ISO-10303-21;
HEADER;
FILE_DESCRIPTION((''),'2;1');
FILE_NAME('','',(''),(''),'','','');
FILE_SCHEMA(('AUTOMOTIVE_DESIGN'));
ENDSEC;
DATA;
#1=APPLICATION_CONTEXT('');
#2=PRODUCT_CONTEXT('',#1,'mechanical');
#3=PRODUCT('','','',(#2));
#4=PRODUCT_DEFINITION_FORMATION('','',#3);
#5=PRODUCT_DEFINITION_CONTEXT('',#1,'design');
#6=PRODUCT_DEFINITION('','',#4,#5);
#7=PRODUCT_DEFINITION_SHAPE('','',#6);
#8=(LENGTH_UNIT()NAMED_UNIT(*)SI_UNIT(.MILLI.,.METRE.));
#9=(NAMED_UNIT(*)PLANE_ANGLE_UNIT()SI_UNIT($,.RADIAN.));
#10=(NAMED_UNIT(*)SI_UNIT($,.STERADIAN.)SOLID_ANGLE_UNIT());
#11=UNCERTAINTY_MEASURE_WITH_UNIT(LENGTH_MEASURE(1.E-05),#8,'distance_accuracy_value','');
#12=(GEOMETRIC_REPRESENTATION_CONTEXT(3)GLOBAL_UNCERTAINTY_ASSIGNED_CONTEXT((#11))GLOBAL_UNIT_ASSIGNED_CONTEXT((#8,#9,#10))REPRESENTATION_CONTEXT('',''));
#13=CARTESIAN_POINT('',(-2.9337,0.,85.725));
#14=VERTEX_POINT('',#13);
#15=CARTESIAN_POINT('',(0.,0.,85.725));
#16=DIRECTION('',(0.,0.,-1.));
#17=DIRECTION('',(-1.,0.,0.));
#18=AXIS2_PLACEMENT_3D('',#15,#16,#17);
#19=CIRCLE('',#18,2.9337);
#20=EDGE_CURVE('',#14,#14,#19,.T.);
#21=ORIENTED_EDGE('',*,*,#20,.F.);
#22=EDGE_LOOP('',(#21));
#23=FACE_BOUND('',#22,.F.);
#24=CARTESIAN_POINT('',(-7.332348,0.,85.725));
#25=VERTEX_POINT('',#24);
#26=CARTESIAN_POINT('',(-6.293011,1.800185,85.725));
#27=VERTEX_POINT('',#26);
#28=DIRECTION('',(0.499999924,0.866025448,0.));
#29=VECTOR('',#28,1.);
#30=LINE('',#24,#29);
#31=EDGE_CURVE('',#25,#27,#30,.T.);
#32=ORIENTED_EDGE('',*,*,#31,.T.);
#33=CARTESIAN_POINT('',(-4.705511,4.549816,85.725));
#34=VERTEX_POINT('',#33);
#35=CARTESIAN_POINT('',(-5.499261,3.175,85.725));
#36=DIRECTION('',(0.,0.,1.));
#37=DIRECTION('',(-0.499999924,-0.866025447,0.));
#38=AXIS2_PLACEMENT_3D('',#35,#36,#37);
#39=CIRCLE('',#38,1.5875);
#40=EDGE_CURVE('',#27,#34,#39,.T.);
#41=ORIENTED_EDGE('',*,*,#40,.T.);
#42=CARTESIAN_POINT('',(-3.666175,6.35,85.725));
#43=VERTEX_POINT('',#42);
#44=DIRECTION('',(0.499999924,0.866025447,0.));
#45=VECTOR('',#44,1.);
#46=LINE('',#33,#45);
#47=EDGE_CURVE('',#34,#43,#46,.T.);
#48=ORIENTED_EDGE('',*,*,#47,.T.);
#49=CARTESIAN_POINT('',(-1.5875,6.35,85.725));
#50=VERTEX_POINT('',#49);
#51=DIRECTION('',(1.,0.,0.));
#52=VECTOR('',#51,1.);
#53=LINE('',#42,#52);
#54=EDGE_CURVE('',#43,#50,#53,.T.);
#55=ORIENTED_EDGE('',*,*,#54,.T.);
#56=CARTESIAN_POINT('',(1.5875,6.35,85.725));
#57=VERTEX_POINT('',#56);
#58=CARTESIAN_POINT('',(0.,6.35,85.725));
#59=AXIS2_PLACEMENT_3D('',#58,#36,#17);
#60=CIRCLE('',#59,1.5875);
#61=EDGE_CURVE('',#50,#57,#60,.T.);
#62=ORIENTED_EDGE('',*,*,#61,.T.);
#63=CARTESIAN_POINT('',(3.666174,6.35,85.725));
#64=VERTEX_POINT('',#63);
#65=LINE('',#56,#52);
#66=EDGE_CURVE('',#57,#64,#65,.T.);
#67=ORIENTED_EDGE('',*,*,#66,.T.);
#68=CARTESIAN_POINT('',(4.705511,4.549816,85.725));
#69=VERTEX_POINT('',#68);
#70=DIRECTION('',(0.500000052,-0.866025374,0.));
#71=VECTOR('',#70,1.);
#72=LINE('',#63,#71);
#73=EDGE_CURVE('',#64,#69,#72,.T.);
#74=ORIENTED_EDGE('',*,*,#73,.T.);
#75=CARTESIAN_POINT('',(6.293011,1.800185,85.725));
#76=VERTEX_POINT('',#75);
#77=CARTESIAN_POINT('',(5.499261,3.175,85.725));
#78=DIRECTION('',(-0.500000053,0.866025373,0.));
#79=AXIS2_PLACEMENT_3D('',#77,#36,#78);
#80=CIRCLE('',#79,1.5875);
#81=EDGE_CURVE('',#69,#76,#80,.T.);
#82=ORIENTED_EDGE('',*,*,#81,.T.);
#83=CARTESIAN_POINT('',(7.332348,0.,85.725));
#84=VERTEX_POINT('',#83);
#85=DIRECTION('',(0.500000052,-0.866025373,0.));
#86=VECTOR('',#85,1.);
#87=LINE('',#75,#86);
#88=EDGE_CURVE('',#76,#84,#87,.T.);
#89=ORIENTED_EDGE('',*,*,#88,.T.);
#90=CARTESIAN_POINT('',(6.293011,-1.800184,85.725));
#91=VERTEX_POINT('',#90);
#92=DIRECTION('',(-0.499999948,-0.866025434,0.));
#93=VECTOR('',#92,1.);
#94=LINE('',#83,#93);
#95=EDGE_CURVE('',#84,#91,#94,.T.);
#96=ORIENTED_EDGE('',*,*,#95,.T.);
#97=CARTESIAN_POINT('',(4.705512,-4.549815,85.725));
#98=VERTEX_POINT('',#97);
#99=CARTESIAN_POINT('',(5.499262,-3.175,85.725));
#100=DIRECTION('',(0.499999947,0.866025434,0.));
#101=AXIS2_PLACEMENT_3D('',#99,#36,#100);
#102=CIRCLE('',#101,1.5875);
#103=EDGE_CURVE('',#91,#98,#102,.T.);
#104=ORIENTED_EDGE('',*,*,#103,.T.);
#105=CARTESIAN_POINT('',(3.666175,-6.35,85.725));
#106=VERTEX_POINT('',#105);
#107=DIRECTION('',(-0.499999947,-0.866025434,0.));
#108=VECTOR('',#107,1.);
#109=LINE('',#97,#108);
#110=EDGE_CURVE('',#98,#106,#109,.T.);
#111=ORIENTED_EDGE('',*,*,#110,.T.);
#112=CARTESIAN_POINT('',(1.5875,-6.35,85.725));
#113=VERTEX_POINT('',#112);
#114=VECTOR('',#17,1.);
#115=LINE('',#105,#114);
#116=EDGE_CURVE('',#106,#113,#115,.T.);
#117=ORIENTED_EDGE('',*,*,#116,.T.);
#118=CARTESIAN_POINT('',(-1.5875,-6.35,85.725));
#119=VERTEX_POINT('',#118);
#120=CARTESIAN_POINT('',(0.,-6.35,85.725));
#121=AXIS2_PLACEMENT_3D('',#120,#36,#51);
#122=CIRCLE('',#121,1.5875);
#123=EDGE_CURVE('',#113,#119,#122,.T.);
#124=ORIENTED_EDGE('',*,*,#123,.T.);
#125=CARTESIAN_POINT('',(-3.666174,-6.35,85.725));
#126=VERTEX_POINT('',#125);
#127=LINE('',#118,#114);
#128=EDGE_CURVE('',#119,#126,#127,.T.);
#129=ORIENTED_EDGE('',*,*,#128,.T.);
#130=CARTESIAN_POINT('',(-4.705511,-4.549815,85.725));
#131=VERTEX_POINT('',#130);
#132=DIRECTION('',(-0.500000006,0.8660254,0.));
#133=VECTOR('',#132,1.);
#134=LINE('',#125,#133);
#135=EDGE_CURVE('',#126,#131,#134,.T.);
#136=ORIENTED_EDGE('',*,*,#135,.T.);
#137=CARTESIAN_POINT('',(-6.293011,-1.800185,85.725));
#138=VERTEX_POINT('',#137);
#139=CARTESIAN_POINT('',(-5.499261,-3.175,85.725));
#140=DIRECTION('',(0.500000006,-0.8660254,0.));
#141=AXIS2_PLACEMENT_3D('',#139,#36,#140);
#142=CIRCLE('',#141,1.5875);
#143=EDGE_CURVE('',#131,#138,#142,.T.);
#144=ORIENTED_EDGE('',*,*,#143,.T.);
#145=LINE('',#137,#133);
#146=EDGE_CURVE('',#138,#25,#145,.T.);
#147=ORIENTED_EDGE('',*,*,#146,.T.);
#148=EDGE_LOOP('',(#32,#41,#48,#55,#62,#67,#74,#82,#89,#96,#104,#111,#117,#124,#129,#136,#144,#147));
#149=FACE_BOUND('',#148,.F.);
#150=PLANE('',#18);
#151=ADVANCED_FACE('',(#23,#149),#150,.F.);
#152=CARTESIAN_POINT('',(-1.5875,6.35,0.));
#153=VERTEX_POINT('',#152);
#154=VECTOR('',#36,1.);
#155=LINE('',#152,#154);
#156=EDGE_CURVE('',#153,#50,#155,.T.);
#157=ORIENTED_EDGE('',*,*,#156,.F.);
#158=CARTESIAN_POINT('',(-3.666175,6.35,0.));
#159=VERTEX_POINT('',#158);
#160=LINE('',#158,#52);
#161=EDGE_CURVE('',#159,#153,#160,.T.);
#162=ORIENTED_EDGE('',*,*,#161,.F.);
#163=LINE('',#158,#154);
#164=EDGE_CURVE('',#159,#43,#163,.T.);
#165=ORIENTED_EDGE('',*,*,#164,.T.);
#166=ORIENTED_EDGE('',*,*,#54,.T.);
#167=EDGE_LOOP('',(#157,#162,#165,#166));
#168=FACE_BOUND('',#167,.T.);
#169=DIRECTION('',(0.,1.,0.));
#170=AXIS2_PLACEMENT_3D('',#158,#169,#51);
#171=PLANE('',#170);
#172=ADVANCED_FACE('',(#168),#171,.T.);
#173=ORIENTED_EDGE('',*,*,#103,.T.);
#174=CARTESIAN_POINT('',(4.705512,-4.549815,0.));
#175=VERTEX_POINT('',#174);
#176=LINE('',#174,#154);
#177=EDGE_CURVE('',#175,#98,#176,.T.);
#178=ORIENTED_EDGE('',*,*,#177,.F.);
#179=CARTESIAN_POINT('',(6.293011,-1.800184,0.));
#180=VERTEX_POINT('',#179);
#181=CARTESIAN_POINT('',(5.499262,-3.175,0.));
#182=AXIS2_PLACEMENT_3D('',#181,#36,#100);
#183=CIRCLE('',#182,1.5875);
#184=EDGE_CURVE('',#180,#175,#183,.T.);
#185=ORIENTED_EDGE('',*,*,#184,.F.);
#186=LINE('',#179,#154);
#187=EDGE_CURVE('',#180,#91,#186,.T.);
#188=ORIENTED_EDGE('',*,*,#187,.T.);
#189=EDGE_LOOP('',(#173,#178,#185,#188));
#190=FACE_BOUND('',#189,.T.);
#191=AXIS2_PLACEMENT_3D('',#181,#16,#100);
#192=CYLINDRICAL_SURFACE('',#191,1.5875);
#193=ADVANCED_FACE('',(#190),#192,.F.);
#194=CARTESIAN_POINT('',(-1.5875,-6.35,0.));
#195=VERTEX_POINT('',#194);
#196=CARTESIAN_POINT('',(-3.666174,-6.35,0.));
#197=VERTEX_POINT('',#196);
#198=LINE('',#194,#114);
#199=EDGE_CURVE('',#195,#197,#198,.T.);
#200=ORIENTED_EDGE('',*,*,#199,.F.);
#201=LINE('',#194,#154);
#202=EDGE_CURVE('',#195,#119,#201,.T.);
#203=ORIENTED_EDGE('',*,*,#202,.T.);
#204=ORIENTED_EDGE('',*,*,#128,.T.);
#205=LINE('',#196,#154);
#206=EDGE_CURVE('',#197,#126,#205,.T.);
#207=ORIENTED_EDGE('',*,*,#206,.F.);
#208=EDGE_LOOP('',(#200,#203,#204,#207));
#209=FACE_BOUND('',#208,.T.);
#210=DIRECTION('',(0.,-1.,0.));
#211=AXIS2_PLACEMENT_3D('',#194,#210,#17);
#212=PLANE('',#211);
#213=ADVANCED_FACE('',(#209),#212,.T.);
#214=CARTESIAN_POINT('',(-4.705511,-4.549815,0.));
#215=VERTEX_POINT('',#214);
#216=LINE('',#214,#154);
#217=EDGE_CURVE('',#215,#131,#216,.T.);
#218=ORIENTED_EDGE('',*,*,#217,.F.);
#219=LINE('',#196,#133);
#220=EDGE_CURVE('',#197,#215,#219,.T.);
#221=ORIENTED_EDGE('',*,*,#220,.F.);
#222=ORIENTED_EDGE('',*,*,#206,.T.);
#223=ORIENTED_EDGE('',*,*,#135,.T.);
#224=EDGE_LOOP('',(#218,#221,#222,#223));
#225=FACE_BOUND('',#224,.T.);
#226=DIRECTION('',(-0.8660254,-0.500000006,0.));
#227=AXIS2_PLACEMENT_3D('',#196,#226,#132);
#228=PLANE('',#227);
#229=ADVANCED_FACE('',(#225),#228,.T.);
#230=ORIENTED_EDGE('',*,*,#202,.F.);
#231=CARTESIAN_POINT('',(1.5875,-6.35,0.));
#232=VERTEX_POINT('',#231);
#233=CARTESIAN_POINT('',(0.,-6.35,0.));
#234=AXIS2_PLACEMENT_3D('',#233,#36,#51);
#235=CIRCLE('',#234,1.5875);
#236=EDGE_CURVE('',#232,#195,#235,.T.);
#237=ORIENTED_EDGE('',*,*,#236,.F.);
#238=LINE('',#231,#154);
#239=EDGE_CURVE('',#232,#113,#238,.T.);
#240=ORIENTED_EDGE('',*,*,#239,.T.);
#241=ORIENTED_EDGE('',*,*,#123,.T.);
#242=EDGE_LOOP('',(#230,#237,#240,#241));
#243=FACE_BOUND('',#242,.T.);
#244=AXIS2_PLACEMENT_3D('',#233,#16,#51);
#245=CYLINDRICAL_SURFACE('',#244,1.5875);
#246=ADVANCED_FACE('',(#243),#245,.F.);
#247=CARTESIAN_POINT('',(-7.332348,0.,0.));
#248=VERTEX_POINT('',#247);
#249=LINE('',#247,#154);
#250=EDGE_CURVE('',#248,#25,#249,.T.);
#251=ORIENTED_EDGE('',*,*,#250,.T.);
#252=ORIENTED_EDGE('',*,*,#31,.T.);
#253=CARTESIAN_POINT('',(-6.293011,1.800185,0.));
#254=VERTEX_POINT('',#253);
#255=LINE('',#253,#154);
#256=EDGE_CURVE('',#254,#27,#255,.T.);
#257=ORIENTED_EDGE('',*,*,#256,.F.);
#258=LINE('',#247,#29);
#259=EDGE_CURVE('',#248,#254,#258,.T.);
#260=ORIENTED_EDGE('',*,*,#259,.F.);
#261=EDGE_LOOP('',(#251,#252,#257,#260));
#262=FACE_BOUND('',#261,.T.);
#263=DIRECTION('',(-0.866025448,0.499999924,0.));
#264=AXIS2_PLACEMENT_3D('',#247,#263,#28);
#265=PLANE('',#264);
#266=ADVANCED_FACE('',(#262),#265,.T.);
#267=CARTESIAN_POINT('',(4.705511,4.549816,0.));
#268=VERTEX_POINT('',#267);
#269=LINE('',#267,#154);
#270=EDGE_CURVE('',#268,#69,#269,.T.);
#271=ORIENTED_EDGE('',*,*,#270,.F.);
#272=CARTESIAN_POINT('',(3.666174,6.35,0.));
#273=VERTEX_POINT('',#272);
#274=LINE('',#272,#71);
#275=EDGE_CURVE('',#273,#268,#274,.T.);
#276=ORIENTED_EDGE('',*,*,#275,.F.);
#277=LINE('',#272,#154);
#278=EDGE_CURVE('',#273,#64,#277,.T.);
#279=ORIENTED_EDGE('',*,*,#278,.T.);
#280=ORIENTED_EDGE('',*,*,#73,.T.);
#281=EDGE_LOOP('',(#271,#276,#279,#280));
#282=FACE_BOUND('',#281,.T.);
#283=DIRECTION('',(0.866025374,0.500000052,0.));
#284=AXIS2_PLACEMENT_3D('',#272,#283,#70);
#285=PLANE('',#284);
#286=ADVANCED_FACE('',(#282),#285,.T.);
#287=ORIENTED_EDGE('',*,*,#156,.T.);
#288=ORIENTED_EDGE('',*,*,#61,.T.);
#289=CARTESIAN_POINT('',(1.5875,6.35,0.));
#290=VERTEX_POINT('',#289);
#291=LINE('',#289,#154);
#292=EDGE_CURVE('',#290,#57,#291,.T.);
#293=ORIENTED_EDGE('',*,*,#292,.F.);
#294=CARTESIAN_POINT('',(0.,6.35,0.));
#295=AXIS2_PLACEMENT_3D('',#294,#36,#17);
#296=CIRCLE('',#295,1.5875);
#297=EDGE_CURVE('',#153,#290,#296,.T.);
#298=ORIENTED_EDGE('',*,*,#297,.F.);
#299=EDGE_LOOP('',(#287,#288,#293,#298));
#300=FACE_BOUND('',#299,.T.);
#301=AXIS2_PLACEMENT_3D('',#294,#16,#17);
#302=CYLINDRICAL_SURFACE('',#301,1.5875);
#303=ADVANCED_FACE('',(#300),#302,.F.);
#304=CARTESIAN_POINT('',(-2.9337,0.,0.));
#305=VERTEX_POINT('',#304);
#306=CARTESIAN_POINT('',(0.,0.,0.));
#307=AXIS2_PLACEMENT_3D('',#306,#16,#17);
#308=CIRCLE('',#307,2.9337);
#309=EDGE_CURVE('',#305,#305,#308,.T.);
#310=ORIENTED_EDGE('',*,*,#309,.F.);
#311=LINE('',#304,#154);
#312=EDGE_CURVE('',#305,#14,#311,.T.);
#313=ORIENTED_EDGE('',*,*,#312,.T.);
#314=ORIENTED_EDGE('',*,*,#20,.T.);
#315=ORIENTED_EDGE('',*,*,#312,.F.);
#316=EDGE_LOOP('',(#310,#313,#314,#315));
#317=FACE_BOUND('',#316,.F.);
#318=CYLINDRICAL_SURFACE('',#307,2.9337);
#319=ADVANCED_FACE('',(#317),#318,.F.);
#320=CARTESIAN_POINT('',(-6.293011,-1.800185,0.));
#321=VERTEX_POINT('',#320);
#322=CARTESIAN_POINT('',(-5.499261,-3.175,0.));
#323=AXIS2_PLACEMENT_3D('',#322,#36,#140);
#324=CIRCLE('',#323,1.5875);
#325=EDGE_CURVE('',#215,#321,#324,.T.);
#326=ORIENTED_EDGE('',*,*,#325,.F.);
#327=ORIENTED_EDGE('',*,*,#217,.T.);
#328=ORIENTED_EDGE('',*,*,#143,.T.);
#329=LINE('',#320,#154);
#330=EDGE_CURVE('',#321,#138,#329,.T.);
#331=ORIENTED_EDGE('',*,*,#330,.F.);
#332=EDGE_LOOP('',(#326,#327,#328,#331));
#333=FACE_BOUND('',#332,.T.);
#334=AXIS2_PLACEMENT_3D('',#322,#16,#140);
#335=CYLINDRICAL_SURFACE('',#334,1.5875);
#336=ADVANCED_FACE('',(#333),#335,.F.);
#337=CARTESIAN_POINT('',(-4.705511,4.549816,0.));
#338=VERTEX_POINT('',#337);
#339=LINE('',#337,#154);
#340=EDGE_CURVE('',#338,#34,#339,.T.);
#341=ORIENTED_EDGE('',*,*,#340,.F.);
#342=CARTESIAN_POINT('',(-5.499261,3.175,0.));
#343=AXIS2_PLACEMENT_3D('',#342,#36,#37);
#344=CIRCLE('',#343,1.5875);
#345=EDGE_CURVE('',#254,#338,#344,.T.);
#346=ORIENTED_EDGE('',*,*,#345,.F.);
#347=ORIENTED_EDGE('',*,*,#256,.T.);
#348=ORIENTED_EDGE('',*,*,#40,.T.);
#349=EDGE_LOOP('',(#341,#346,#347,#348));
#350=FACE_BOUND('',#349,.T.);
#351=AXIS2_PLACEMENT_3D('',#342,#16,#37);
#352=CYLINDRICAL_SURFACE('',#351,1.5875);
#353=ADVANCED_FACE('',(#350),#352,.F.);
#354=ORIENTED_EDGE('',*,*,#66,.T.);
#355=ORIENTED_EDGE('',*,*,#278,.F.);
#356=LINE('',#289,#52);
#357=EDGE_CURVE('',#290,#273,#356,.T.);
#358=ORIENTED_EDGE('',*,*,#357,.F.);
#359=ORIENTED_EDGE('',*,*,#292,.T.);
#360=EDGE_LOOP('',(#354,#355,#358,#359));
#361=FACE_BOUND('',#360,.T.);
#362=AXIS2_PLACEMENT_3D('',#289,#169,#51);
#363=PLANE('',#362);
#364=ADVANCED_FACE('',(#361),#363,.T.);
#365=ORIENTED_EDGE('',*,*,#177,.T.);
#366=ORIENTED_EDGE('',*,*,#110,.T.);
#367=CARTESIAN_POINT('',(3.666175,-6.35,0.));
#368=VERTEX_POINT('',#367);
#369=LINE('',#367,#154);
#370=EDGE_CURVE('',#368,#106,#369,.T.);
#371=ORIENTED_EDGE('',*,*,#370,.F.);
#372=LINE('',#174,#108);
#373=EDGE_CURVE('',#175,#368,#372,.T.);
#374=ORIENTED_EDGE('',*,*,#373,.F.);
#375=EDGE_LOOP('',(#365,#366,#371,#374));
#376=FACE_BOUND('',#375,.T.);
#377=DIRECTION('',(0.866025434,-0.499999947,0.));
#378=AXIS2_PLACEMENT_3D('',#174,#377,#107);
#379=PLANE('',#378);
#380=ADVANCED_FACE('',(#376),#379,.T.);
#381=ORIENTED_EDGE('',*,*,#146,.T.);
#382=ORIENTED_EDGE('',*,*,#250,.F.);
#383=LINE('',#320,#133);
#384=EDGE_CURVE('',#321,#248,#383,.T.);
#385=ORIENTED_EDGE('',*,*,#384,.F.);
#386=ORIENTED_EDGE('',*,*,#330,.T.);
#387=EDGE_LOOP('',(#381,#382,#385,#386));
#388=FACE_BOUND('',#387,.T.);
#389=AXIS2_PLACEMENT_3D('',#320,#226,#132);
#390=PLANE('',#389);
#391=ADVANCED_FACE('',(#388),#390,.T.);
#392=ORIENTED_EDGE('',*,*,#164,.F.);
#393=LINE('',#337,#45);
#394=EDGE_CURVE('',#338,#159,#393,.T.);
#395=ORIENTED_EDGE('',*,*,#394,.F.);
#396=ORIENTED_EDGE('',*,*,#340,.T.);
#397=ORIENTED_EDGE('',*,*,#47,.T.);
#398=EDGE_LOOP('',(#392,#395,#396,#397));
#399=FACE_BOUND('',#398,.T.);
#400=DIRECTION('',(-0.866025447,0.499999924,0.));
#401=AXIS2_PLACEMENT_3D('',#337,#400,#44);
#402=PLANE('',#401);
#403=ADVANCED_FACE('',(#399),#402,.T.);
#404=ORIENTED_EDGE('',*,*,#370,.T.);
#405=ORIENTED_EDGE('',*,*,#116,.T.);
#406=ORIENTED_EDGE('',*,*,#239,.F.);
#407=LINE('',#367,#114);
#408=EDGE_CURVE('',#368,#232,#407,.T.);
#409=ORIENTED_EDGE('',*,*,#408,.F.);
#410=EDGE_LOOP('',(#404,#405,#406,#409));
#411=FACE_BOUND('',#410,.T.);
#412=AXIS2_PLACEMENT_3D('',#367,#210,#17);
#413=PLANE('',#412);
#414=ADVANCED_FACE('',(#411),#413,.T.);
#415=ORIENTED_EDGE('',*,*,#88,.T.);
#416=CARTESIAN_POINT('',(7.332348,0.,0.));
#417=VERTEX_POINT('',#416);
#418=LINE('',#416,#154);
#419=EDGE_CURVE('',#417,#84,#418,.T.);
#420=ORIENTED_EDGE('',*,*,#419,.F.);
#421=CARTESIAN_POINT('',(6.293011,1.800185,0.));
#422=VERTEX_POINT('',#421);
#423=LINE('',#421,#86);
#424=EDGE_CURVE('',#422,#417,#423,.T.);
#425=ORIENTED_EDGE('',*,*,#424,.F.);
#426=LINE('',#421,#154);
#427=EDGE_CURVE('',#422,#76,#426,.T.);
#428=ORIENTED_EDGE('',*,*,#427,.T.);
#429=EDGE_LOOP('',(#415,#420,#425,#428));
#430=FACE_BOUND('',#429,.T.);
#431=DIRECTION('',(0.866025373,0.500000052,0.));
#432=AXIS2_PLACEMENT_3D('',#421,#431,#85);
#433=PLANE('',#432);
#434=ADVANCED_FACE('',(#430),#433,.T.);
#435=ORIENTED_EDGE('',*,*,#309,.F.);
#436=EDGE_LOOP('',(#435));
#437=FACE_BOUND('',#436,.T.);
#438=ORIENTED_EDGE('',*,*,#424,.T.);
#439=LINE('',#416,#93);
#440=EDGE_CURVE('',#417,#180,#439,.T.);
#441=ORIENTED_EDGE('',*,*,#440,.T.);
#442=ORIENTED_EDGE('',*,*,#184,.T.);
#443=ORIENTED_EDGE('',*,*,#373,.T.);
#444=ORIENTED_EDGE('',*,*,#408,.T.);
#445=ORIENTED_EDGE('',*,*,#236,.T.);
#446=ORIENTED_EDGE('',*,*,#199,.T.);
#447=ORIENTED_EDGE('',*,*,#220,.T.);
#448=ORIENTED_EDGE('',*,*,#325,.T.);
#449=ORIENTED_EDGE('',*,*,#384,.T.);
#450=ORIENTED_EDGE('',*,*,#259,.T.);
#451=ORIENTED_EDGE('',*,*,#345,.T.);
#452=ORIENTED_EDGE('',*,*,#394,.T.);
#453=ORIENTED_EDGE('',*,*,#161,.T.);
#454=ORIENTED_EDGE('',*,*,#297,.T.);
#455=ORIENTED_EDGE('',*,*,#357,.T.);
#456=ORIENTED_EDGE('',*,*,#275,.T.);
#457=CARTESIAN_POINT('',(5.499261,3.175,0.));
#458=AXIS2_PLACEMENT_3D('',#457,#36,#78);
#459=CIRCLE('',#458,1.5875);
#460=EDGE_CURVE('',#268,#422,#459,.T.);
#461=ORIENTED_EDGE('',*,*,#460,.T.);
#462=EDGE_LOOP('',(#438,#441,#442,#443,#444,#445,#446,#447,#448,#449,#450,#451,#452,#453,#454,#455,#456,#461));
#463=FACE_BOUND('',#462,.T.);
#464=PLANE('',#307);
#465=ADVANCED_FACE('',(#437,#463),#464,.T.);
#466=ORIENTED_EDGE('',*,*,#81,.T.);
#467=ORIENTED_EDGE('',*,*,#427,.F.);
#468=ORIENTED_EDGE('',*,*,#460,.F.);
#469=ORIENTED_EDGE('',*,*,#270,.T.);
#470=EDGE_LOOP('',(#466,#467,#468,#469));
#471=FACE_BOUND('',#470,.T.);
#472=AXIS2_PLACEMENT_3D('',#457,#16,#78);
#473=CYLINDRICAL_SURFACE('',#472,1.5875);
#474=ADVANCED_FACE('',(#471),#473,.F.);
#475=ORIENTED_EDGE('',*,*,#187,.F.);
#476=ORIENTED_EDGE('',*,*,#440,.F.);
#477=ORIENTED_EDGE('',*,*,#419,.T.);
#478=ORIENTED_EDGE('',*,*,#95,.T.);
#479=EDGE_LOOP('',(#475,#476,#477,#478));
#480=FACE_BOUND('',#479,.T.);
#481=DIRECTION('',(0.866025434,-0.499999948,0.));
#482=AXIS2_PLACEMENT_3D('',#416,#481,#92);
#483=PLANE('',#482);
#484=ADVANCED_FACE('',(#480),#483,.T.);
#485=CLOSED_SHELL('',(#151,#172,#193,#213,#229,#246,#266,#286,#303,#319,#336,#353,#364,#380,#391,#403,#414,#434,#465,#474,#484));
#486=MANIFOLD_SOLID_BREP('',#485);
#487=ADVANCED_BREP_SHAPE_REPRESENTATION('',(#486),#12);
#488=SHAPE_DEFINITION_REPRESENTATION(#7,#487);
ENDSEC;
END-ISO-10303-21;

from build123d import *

# Parameters (mm, degrees)
SKETCH1_R           = 2.9337
BOSS_EXTRUDE1_DEPTH = 85.725


with BuildPart() as part:
    # Sketch1 → Boss-Extrude1 (new body)
    with BuildSketch(Plane(origin=(0, 0, 0), x_dir=(-1, 0, 0), z_dir=(0, 0, -1))):
        with BuildLine():
            Line((-4.70551159, -4.549815043), (-3.666174546, -6.349999862))
            Line((-3.666174546, -6.349999862), (-1.587500385, -6.349999862))
            ThreePointArc((-1.587500385, -6.349999862), (-3.85e-07, -4.762499862), (1.587499615, -6.349999862))
            Line((1.587499615, -6.349999862), (3.666173825, -6.349999862))
            Line((3.666173825, -6.349999862), (4.705510942, -4.549815198))
            ThreePointArc((4.705510942, -4.549815198), (4.124445629, -2.381249865), (6.293010962, -1.800184552))
            Line((6.293010962, -1.800184552), (7.332348079, 1.12e-07))
            Line((7.332348079, 1.12e-07), (6.293011217, 1.800184727))
            ThreePointArc((6.293011217, 1.800184727), (4.124445939, 2.381250245), (4.705511457, 4.549815523))
            Line((4.705511457, 4.549815523), (3.666174546, 6.350000222))
            Line((3.666174546, 6.350000222), (1.587500385, 6.350000222))
            ThreePointArc((1.587500385, 6.350000222), (3.85e-07, 4.762500222), (-1.587499615, 6.350000222))
            Line((-1.587499615, 6.350000222), (-3.666173825, 6.350000222))
            Line((-3.666173825, 6.350000222), (-4.705511038, 4.549815614))
            ThreePointArc((-4.705511038, 4.549815614), (-4.124445841, 2.38125025), (-6.293011205, 1.800185053))
            Line((-6.293011205, 1.800185053), (-7.332348419, 4.44e-07))
            Line((-7.332348419, 4.44e-07), (-6.293011423, -1.80018429))
            ThreePointArc((-6.293011423, -1.80018429), (-4.12444613, -2.38124975), (-4.70551159, -4.549815043))
        make_face()
        Circle(SKETCH1_R, mode=Mode.SUBTRACT)
    extrude(amount=-BOSS_EXTRUDE1_DEPTH)


solid = part.part
